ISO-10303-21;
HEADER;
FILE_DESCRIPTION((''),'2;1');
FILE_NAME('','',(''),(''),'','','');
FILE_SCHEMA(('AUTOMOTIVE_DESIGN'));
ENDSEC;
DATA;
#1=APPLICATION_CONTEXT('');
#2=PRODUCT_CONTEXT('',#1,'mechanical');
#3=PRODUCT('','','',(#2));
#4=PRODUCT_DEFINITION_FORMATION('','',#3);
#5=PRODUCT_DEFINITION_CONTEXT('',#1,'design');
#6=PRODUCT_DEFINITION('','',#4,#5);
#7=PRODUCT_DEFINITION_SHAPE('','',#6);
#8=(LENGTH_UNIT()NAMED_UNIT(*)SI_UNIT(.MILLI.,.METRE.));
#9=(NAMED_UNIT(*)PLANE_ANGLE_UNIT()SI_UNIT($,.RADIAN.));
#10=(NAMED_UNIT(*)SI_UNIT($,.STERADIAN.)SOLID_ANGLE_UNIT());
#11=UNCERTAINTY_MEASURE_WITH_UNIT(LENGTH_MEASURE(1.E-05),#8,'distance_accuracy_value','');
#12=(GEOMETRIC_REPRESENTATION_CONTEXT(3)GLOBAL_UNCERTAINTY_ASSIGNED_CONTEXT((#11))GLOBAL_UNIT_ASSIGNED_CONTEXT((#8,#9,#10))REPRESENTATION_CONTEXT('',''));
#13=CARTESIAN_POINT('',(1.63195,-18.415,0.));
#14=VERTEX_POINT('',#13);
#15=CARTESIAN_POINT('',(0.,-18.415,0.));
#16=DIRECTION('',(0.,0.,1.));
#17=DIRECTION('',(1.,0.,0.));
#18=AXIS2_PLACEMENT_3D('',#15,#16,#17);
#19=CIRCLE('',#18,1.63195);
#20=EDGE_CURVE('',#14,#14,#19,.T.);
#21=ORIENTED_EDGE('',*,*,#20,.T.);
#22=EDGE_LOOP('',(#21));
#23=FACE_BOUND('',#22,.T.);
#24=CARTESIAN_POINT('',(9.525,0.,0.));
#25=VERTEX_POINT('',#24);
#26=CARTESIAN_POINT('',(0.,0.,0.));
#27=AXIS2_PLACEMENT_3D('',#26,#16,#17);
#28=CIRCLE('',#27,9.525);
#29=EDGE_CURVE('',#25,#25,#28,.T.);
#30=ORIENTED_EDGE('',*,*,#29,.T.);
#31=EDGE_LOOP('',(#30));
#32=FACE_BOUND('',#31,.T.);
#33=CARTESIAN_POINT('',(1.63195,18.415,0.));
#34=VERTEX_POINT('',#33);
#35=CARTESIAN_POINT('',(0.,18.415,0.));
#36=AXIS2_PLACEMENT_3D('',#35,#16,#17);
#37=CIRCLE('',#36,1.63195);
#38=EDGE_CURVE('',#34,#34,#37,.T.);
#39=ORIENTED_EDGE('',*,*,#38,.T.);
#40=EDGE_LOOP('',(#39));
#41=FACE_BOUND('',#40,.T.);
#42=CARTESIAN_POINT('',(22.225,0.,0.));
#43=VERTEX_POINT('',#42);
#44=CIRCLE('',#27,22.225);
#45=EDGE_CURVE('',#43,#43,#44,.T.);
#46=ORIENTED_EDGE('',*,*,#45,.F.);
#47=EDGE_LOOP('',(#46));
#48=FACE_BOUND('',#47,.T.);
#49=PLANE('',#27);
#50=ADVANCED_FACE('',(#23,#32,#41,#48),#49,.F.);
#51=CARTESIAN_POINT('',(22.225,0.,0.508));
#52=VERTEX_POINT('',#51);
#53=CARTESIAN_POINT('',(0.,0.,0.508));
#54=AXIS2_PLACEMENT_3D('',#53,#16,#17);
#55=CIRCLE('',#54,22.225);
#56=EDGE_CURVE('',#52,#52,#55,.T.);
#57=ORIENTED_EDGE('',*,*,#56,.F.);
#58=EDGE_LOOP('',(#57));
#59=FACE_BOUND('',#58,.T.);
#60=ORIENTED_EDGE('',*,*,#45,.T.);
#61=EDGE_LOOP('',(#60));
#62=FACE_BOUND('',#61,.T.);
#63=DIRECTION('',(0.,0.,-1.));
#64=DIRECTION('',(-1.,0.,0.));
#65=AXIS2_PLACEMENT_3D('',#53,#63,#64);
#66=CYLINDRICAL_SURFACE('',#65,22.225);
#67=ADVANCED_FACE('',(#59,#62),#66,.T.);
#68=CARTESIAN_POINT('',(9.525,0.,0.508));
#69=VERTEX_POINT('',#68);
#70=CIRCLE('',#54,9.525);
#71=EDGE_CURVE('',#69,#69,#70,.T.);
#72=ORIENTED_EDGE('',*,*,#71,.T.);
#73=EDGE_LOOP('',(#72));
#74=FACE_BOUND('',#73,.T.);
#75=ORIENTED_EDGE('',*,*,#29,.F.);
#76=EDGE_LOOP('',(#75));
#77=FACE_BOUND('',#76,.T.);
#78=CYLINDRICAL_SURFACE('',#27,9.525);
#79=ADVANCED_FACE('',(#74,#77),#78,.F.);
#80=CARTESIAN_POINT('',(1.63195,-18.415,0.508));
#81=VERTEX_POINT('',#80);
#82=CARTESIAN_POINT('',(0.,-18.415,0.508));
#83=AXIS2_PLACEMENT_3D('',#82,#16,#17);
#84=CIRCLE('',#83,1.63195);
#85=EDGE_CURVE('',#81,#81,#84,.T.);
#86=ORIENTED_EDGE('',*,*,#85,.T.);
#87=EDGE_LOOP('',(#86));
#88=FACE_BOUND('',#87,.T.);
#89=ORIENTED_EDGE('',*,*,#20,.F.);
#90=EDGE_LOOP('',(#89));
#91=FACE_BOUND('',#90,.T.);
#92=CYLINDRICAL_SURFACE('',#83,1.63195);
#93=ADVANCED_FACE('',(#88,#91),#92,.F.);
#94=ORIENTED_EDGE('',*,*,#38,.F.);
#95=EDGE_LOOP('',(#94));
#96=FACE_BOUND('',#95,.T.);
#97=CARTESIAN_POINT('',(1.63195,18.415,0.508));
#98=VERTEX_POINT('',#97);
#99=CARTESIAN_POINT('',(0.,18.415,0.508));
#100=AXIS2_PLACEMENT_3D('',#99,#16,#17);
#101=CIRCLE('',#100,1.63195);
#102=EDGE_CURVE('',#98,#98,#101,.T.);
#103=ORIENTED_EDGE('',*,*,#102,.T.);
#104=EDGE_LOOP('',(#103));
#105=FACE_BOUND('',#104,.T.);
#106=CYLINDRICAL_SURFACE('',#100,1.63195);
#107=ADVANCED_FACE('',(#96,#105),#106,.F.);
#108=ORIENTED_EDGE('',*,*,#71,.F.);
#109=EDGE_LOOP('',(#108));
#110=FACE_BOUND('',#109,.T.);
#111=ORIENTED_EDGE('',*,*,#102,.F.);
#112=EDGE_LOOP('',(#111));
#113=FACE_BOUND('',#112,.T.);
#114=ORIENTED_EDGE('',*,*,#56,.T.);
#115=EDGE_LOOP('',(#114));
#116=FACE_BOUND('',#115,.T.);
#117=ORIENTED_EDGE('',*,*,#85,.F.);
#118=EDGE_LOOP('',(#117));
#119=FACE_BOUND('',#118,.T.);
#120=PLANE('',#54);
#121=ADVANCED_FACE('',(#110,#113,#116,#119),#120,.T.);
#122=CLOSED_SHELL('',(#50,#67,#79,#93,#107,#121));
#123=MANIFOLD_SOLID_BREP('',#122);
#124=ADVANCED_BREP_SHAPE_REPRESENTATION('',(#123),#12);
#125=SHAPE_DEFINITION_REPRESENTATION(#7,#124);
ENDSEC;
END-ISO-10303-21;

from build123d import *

# Parameters (mm, degrees)
SKETCH1_R                    = 22.225
BOSS_EXTRUDE1_DEPTH          = 0.508
SKETCH2_R                    = 9.525
CUT_EXTRUDE1_DEPTH           = 1.508
F_30_0_1285_DIAMETER_HOLE1_D = 3.2639


with BuildPart() as part:
    # Sketch1 → Boss-Extrude1 (new body)
    with BuildSketch(Plane.XY):
        Circle(SKETCH1_R)
    extrude(amount=BOSS_EXTRUDE1_DEPTH)

    # Sketch2 → Cut-Extrude1 (cut, through all)
    with BuildSketch(Plane.XY.offset(0.508)):
        Circle(SKETCH2_R)
    extrude(amount=-CUT_EXTRUDE1_DEPTH, mode=Mode.SUBTRACT)

    # #30 (0.1285) Diameter Hole1 (through all)
    with Locations(Plane.XY.offset(0.508)):
        with Locations((0, 18.415)):
            f_30_0_1285_diameter_hole1 = Hole(F_30_0_1285_DIAMETER_HOLE1_D / 2)

    # Mirror1: #30 (0.1285) Diameter Hole1 across plane
    add(f_30_0_1285_diameter_hole1.mirror(Plane.ZX), mode=Mode.SUBTRACT)


solid = part.part
